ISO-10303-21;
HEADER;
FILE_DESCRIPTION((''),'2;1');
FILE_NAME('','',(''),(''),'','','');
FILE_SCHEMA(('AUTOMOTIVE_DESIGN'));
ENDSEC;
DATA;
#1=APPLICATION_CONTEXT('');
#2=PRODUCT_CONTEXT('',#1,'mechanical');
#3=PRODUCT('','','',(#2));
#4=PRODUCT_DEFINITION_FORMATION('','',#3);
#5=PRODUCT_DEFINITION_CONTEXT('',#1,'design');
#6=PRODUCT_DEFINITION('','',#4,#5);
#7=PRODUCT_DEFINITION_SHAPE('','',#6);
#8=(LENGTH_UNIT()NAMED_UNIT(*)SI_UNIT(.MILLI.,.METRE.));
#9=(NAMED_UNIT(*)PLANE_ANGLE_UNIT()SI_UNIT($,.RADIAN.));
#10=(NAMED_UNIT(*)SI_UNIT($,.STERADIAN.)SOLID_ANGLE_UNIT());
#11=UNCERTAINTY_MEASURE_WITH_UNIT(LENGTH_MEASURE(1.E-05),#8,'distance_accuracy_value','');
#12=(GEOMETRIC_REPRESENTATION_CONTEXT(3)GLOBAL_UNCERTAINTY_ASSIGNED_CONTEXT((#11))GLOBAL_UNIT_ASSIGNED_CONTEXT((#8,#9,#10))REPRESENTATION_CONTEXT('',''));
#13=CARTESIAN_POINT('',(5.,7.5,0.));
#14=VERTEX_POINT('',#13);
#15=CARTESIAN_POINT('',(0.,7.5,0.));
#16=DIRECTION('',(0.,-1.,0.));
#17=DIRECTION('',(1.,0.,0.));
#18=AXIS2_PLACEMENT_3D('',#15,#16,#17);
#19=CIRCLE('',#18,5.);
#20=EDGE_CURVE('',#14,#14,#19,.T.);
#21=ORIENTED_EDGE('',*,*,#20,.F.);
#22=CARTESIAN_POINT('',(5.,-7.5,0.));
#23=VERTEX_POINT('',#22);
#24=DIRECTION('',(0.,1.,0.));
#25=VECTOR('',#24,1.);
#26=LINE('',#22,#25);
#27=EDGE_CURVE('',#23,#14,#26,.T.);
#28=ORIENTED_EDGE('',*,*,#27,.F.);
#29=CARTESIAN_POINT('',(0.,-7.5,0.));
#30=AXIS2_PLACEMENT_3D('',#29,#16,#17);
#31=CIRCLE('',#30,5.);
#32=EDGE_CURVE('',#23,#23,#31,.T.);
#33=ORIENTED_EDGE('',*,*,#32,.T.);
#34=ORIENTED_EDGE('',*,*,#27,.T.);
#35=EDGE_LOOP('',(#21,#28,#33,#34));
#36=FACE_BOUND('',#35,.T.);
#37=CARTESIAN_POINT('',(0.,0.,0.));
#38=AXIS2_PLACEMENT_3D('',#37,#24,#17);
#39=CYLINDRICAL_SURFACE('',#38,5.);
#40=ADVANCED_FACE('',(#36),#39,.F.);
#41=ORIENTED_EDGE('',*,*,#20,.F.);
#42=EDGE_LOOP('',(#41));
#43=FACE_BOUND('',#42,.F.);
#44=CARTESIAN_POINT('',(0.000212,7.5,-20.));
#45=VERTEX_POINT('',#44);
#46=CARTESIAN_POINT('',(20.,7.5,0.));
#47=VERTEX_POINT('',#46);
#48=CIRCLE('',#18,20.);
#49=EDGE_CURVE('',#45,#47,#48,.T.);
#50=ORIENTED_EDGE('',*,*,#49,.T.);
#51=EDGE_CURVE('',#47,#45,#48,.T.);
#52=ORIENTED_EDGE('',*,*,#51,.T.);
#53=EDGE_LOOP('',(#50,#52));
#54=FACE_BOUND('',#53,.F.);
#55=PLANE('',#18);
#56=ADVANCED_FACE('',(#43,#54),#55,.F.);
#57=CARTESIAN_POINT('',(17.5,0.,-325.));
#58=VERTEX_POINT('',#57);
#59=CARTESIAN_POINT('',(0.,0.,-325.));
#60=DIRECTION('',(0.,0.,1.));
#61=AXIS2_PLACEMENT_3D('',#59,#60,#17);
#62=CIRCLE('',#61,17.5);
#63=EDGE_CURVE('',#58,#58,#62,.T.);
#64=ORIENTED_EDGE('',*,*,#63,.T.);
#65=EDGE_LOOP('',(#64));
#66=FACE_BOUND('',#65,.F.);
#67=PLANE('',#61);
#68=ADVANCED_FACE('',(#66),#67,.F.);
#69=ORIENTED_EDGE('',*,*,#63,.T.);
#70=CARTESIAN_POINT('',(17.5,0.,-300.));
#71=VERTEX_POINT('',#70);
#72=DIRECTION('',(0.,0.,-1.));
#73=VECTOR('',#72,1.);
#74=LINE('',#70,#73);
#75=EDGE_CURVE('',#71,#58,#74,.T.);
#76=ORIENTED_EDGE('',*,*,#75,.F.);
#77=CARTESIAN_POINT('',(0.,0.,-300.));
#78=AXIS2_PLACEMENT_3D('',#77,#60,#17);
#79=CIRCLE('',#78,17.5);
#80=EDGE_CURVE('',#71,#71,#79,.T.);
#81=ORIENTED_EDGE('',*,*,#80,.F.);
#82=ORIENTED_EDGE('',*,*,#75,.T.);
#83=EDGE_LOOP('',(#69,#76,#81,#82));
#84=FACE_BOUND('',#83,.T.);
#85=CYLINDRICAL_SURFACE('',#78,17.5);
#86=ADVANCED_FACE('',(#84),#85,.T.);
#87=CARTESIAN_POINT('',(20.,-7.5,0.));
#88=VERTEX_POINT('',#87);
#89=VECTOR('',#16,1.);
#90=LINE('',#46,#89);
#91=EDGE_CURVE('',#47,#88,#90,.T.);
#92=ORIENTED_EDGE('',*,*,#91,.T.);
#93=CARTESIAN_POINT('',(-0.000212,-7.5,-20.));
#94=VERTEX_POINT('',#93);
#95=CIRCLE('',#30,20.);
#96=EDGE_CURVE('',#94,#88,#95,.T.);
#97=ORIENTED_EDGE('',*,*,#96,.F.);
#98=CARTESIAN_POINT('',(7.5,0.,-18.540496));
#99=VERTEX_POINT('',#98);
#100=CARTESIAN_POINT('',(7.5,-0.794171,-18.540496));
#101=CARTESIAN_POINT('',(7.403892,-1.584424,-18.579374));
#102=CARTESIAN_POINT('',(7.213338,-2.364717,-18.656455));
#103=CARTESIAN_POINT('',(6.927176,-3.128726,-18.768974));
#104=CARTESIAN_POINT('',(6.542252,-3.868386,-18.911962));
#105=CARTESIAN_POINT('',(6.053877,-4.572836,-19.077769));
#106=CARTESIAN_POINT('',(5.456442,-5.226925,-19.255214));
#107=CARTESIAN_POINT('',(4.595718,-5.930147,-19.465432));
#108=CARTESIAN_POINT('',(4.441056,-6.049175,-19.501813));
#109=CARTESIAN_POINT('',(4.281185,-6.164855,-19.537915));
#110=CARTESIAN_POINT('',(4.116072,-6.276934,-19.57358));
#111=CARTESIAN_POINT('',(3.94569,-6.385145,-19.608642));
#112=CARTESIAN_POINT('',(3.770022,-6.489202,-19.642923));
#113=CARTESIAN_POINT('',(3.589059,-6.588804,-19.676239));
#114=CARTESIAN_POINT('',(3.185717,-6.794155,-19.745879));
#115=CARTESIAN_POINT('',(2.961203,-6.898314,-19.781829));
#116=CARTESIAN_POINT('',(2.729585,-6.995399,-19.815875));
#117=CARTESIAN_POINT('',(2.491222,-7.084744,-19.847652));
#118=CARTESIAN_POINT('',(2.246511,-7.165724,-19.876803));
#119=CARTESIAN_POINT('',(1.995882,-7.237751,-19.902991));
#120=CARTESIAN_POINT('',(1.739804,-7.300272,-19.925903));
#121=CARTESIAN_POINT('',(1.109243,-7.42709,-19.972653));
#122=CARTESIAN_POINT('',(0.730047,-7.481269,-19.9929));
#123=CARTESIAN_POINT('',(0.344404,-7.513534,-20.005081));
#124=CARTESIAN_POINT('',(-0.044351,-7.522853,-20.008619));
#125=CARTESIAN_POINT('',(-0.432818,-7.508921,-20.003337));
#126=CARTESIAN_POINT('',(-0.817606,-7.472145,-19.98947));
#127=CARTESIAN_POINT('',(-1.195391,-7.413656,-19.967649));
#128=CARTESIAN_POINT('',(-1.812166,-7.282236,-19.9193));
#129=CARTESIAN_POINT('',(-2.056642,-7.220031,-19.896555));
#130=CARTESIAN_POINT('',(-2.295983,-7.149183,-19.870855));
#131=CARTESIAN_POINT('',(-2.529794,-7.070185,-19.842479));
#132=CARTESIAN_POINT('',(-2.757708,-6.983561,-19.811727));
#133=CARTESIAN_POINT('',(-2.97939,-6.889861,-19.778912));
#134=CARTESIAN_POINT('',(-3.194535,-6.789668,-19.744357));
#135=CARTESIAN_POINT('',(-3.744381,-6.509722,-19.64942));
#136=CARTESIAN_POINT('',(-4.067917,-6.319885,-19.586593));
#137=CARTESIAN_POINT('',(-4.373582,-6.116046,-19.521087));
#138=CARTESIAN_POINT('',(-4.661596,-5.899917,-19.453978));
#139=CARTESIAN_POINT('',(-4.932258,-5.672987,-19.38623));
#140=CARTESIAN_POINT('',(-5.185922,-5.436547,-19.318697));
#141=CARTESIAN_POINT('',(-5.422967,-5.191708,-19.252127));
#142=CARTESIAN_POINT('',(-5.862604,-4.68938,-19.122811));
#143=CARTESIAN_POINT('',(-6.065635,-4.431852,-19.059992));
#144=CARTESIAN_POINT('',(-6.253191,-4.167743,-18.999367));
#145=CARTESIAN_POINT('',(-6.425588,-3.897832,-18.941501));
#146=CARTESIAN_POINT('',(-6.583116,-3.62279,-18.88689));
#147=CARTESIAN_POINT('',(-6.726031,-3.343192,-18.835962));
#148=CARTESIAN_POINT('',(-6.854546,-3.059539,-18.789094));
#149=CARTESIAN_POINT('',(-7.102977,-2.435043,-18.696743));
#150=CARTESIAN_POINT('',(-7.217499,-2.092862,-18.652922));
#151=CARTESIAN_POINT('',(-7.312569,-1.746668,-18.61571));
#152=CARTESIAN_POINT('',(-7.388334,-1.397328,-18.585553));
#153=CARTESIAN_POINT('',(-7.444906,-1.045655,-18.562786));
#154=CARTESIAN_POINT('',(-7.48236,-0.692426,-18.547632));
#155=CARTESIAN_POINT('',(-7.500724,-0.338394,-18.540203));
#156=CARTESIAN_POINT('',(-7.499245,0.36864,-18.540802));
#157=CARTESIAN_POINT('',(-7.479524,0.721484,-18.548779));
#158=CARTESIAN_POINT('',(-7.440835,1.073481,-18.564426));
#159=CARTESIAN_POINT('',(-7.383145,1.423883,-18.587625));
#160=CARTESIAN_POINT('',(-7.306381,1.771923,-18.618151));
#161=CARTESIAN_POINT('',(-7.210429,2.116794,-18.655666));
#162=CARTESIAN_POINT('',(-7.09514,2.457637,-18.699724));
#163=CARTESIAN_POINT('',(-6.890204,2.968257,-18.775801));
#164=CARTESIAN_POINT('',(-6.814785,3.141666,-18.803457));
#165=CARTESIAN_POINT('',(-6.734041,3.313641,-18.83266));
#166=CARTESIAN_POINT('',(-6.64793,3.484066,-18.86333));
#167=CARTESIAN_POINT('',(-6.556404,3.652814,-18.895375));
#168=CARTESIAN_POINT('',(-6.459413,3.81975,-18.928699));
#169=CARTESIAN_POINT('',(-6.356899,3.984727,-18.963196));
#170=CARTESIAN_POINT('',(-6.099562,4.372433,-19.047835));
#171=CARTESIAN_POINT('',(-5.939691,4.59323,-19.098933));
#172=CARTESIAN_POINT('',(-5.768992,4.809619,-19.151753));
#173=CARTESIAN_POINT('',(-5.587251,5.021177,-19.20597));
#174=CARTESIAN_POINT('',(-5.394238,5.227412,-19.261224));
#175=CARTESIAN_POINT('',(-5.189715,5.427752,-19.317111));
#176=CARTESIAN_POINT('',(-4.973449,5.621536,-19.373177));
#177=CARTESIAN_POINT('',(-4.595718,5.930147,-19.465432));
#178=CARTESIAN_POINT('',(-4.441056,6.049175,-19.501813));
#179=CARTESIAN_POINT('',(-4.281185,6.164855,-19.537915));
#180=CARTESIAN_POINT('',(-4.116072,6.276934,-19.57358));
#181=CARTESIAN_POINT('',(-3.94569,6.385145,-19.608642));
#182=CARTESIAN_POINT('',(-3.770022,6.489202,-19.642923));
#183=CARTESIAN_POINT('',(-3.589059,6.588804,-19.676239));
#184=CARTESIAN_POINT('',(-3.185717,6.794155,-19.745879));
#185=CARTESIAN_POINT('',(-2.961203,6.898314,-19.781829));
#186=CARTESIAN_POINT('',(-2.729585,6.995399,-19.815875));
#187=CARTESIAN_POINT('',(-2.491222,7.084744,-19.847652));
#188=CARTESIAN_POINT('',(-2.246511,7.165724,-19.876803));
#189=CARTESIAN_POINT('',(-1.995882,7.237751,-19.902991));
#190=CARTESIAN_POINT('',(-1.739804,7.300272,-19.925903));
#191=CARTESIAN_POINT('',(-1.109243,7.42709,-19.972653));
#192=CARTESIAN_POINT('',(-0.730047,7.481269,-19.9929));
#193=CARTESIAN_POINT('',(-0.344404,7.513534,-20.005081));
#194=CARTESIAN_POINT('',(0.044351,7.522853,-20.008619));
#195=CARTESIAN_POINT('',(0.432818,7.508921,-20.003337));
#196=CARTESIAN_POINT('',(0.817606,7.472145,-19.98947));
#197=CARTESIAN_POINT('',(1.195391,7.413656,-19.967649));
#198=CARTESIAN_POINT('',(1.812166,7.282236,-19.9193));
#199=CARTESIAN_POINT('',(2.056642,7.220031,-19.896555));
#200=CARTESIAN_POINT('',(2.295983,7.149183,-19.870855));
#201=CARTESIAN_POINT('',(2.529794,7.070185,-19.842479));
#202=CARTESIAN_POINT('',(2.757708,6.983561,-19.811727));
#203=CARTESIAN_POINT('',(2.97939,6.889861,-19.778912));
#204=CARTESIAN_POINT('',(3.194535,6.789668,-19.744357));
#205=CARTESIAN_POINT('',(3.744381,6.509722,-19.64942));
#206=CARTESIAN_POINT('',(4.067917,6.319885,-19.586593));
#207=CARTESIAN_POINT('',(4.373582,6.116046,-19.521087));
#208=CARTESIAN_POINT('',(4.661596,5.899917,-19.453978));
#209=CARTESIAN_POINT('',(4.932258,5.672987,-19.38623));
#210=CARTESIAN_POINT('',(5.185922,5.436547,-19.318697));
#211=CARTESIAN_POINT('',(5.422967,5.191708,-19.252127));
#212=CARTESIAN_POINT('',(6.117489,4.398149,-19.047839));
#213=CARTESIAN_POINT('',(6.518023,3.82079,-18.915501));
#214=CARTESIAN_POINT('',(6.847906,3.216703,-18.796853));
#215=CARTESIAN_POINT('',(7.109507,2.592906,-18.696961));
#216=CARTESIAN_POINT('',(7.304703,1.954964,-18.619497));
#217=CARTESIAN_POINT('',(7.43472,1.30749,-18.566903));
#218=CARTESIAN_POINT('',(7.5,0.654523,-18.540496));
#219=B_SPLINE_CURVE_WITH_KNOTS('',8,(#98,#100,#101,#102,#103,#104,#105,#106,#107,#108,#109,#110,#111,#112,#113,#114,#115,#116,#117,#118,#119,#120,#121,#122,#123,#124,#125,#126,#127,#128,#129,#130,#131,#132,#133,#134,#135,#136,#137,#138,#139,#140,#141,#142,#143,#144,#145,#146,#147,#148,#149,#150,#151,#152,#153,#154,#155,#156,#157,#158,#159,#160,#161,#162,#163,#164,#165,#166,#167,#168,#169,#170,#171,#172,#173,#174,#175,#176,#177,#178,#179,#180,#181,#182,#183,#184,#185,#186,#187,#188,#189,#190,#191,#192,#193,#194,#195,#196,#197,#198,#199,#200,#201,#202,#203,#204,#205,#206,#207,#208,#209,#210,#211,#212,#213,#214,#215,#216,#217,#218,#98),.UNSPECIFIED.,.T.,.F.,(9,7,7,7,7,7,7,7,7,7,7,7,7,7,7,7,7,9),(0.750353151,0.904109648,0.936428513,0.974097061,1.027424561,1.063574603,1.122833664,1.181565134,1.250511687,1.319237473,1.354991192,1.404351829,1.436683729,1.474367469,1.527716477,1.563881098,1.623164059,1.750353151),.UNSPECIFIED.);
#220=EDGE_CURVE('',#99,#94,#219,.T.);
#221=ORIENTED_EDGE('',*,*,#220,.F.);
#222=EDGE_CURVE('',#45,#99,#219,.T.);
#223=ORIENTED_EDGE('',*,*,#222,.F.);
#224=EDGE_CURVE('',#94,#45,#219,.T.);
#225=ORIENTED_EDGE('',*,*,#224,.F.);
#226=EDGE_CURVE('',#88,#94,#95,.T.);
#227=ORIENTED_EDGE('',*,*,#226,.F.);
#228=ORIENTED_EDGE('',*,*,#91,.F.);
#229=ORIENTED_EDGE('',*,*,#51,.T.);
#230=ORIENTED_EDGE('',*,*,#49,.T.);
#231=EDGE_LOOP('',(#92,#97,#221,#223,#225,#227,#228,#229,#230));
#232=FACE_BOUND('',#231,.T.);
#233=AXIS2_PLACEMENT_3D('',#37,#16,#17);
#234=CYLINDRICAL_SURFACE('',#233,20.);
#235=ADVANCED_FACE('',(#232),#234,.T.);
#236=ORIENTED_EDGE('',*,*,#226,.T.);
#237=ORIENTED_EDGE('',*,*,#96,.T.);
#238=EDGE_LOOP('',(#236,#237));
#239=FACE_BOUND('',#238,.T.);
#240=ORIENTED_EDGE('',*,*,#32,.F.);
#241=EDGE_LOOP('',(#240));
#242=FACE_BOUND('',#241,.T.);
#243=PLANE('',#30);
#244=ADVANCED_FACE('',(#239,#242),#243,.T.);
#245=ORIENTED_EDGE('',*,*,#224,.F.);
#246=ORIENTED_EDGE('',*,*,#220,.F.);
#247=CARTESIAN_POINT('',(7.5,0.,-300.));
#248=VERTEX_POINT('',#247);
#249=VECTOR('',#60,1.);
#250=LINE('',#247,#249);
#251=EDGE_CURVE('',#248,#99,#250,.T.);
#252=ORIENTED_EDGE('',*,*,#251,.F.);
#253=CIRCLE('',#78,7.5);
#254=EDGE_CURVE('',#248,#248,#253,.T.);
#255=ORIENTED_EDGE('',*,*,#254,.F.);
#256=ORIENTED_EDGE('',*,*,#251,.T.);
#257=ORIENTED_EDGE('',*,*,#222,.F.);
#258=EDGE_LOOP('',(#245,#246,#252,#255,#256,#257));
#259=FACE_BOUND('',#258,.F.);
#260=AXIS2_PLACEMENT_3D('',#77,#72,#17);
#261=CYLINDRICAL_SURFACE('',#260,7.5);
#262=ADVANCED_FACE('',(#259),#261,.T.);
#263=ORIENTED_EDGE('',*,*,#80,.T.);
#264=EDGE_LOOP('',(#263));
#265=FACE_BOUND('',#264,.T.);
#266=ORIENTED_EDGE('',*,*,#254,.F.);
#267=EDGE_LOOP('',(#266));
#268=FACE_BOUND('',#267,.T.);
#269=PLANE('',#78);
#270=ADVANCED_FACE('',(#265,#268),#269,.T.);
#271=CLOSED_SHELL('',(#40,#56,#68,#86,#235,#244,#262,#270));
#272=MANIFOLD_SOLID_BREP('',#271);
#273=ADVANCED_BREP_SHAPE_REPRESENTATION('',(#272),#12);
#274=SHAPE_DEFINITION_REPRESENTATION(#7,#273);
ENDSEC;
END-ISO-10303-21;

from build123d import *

# Parameters (mm, degrees)
F0_R     = 20
F0_R_2   = 5
F1_DEPTH = 7.5
F3_R     = 7.5
F5_R     = 17.5
F6_DEPTH = 25


with BuildPart() as f1:
    # F0 (on Front) → F1 (new body, symmetric)
    with BuildSketch(Plane.XZ):
        Circle(F0_R)
        Circle(F0_R_2, mode=Mode.SUBTRACT)
    extrude(amount=F1_DEPTH, both=True)

    # F3 (on offset) → F4 (join, up to the next surface of F1)
    with BuildSketch(Plane.XY.offset(-300)):
        Circle(F3_R)
    extrude(until=Until.NEXT)

    # F5 (on offset) → F6 (join)
    with BuildSketch(Plane.XY.offset(-300)):
        Circle(F5_R)
    extrude(amount=-F6_DEPTH)


solid = f1.part
